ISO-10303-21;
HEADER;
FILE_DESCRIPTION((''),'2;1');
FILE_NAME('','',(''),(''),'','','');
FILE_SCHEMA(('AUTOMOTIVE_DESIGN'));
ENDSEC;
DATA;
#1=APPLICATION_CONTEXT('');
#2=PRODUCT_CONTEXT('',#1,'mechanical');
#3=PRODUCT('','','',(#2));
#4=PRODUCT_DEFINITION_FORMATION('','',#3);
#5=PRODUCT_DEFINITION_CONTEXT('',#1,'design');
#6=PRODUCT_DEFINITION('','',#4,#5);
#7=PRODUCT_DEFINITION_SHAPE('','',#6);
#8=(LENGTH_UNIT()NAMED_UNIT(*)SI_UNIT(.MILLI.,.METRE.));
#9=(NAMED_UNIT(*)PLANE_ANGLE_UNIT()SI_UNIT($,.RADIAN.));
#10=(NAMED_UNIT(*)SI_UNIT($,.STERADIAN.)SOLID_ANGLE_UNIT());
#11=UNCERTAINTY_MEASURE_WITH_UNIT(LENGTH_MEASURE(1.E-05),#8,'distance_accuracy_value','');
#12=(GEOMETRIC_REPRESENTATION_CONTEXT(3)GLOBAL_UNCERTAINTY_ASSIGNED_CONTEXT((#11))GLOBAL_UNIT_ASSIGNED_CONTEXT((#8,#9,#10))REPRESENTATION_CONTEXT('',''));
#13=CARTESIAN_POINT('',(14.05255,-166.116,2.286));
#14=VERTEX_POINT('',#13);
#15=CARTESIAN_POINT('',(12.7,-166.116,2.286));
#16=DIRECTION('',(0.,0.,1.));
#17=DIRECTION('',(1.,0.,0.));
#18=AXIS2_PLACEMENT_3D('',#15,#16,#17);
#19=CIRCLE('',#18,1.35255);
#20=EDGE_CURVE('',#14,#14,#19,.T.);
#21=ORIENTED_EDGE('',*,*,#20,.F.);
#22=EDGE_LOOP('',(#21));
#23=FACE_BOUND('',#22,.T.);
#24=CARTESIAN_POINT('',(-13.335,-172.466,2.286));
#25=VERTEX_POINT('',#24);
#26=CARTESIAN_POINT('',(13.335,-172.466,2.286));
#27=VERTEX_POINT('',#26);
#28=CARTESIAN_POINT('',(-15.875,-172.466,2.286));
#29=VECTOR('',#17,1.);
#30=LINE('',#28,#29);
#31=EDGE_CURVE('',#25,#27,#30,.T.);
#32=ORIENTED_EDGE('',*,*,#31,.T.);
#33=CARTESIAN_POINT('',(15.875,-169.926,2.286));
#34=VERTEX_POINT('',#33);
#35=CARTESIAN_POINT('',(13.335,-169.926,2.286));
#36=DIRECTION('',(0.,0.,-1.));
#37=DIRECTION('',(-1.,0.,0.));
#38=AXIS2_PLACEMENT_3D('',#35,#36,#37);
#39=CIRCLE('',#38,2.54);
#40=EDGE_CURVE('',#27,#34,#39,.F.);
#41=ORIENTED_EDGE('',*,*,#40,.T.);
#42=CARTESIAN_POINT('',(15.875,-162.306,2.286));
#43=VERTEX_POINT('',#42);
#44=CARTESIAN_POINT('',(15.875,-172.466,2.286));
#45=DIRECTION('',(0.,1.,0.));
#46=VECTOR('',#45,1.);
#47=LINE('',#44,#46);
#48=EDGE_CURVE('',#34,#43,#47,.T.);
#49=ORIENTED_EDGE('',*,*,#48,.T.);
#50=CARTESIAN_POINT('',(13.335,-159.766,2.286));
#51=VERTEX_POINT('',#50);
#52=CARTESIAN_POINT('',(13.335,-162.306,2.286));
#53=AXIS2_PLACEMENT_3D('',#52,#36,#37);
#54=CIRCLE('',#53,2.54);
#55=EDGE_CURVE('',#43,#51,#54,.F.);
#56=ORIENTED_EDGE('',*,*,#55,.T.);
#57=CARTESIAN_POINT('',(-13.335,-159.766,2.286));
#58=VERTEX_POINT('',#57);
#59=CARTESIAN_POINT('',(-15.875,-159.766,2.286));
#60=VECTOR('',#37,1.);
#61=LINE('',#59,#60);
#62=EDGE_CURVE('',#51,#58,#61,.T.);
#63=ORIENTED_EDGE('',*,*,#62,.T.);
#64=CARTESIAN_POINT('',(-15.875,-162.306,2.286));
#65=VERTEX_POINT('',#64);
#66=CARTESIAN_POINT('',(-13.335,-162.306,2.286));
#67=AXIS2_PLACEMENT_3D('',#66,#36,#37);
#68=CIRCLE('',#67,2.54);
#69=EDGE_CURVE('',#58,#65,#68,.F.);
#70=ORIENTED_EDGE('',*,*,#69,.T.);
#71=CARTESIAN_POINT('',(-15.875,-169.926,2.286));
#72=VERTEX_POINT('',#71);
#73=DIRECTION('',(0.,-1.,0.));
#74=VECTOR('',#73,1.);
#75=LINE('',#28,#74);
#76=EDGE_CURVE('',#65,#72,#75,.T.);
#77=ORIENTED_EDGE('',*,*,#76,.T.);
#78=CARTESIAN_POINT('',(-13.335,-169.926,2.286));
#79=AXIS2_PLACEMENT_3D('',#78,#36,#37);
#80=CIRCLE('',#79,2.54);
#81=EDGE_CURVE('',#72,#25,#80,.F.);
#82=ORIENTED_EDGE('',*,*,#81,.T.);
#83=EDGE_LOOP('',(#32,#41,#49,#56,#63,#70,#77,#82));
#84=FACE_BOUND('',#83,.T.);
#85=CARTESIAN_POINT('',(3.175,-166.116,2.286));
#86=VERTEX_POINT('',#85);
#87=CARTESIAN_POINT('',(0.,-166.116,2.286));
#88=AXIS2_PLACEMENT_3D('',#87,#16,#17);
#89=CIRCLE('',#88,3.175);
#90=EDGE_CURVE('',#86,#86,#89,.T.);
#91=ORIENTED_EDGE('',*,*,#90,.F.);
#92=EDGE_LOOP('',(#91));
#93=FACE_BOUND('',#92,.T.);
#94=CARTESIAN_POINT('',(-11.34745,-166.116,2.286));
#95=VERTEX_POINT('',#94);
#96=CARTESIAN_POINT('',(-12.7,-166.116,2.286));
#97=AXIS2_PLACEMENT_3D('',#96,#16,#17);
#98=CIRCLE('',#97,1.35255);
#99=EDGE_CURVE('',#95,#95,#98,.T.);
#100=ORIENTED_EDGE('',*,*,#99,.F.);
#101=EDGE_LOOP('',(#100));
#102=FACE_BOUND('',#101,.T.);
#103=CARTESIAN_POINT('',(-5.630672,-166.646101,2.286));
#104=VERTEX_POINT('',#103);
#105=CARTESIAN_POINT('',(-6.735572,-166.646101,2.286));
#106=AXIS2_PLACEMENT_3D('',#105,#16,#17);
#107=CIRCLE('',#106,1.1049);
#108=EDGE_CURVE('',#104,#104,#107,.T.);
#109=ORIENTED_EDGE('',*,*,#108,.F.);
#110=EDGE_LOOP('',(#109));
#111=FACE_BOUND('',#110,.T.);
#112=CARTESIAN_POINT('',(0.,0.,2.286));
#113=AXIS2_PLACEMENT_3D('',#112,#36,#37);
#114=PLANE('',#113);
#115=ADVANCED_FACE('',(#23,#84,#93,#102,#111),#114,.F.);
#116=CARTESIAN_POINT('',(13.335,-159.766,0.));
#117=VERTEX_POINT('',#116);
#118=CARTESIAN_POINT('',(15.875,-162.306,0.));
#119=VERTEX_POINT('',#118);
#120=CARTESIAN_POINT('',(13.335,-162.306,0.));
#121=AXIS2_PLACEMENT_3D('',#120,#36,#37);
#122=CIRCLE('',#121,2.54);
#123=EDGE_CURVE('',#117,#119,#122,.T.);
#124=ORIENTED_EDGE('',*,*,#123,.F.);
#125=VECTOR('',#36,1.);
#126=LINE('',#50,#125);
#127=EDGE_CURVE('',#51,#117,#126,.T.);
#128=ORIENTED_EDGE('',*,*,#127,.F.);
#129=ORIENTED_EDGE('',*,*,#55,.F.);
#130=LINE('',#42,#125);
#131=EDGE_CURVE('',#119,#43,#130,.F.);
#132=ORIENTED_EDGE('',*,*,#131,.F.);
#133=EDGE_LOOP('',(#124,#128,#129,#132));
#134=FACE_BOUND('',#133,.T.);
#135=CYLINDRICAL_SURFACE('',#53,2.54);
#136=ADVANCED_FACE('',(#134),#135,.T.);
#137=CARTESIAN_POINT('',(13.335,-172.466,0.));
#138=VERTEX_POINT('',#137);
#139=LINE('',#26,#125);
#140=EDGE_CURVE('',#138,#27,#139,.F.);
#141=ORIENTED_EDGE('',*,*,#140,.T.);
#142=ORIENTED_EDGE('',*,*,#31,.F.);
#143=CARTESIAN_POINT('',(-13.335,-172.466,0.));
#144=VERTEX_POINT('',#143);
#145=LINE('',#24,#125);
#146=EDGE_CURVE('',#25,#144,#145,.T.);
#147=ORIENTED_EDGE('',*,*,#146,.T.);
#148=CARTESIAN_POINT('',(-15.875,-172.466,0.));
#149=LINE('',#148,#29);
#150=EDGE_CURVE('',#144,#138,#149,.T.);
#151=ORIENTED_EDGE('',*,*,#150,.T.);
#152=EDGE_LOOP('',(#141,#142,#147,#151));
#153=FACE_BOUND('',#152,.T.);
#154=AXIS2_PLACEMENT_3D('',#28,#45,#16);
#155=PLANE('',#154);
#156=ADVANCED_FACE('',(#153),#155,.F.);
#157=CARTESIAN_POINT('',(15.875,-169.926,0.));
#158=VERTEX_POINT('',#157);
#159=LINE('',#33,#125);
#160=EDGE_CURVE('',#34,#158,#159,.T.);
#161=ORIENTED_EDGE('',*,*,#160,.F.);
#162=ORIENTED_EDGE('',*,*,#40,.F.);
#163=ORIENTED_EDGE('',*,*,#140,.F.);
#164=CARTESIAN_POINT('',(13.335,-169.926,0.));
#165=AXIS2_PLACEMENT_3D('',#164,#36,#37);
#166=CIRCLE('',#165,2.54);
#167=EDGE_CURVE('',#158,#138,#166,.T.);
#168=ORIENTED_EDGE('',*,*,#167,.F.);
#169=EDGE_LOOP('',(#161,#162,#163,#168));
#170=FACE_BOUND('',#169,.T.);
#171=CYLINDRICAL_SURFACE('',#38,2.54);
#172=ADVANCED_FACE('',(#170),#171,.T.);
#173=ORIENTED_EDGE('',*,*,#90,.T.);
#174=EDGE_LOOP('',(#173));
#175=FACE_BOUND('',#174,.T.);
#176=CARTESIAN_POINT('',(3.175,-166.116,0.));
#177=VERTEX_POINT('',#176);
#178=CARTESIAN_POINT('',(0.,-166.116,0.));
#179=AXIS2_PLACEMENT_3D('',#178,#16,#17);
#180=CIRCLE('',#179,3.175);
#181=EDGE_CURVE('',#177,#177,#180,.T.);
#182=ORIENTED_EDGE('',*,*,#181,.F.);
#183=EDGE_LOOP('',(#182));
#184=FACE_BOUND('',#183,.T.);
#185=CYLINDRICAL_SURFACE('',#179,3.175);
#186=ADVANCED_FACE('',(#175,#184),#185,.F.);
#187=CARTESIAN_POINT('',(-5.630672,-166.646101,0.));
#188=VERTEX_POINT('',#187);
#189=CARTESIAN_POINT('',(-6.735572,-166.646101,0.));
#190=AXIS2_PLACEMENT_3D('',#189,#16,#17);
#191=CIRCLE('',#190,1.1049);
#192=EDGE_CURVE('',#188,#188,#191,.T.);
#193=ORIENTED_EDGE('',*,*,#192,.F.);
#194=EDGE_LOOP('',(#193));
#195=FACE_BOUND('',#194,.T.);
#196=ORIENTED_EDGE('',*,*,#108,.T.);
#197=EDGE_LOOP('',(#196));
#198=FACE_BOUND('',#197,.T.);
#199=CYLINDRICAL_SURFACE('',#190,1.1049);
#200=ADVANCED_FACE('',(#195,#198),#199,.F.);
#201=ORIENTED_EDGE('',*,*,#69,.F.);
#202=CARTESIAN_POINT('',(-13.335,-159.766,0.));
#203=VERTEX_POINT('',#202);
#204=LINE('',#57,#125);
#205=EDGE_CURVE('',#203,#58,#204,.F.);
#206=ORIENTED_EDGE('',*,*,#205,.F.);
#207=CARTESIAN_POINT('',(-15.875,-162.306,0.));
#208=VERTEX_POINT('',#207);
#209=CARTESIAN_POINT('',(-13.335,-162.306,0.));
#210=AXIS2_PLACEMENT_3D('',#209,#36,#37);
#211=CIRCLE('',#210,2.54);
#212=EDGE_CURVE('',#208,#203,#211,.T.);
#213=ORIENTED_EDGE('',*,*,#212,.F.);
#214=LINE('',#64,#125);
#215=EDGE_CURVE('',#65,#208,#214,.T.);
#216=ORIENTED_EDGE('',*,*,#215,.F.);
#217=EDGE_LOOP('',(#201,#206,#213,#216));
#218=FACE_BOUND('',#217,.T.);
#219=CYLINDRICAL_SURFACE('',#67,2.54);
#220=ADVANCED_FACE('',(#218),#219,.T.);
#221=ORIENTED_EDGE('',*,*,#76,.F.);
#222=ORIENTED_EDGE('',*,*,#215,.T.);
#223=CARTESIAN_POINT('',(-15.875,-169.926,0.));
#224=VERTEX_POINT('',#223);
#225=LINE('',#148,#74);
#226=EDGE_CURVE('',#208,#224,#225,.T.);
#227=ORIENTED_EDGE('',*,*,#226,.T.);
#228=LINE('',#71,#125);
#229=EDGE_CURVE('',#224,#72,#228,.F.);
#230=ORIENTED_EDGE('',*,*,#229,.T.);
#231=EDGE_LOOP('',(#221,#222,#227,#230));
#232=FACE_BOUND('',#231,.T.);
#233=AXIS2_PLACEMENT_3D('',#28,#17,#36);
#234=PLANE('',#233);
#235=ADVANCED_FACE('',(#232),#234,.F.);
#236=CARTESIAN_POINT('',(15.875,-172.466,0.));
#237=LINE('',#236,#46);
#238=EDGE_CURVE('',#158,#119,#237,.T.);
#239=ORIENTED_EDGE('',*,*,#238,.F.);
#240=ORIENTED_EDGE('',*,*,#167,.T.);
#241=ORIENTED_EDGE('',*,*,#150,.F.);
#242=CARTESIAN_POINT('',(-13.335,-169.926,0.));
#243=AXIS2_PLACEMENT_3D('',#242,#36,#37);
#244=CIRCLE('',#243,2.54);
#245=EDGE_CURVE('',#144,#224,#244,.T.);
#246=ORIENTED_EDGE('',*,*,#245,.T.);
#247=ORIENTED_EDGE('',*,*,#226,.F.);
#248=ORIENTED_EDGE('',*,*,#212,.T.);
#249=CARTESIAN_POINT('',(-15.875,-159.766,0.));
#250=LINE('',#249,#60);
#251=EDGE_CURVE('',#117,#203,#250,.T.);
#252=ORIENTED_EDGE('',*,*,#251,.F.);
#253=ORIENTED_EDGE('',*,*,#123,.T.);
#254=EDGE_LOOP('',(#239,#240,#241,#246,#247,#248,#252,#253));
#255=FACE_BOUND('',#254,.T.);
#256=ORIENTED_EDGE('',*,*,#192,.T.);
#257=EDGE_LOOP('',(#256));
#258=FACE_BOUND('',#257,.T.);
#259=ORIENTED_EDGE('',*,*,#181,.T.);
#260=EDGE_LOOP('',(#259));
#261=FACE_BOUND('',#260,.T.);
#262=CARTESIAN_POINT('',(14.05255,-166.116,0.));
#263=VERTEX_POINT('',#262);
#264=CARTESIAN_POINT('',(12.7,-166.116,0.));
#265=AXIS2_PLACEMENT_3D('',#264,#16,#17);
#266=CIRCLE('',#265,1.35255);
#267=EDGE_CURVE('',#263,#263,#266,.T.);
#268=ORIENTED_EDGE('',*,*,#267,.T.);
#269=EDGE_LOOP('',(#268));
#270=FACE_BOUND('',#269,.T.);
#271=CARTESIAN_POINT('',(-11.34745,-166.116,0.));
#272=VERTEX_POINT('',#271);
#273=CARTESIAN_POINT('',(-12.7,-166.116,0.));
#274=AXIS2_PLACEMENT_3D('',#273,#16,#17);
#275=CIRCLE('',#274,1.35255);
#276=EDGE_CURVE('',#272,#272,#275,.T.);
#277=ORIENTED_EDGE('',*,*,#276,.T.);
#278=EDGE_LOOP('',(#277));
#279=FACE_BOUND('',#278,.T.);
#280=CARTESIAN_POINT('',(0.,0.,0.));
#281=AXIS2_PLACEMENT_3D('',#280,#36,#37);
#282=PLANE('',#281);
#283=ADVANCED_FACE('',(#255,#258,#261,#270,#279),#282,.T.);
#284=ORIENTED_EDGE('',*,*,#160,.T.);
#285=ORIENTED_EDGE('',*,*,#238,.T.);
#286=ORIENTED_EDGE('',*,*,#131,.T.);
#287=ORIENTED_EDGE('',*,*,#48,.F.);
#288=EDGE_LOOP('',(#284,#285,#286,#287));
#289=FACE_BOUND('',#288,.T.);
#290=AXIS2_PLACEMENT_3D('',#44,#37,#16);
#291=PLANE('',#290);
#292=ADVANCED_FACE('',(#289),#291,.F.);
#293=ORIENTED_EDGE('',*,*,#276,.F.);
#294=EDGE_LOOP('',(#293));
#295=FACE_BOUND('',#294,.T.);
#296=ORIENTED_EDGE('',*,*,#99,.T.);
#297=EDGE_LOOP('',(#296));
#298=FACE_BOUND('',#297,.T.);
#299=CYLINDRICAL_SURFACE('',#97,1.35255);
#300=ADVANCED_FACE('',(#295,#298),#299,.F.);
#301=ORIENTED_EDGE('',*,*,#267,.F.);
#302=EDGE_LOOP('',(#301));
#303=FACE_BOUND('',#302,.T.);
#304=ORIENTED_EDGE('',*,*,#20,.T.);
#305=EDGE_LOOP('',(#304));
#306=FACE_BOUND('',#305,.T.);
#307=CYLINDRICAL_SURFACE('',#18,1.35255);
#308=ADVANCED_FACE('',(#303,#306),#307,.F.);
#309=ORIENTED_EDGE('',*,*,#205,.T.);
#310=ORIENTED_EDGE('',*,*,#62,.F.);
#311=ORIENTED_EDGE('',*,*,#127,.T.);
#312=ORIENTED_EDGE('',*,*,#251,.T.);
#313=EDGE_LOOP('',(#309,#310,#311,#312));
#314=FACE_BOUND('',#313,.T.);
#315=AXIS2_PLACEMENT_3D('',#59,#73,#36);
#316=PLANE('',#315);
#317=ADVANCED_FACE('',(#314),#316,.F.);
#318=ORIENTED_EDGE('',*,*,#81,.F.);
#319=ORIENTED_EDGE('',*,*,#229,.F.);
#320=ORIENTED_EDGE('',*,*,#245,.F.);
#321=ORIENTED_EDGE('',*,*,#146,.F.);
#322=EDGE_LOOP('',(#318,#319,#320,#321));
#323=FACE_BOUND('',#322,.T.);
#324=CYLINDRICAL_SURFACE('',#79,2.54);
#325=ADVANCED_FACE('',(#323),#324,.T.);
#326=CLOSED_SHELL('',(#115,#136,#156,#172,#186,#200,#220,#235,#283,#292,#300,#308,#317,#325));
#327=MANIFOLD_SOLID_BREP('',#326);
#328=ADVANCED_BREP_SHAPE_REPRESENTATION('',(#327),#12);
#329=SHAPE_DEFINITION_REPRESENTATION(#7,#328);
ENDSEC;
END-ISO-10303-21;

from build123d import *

# Parameters (mm, degrees)
SKETCH1_W             = 31.75
SKETCH1_H             = 12.7
BOSS_EXTRUDE1_DEPTH   = 2.286
FILLET1_R             = 2.54
SKETCH2_R             = 3.175
SKETCH2_R_2           = 1.1049
CUT_EXTRUDE1_DEPTH    = 3.286
F_2_CLEARANCE_HOLE1_D = 2.7051


with BuildPart() as part:
    # Sketch1 → Boss-Extrude1 (new body)
    with BuildSketch(Plane.XY):
        with Locations((-1.87e-07, -166.116000205)):
            Rectangle(SKETCH1_W, SKETCH1_H)
    extrude(amount=BOSS_EXTRUDE1_DEPTH)

    # Fillet1
    fillet1_edges = [part.edges().sort_by_distance(p)[0] for p in [
        (15.874999813, -172.466000205, 1.143),
        (-15.875000187, -172.466000205, 1.143),
        (-15.875000187, -159.766000205, 1.143),
        (15.874999813, -159.766000205, 1.143),
    ]]
    fillet(fillet1_edges, radius=FILLET1_R)

    # Sketch2 → Cut-Extrude1 (cut, through all)
    with BuildSketch(Plane.XY.offset(2.286)):
        with Locations((-1.87e-07, -166.116000205)):
            Circle(SKETCH2_R)
        with Locations((-6.735572471, -166.64610111)):
            Circle(SKETCH2_R_2)
    extrude(amount=-CUT_EXTRUDE1_DEPTH, mode=Mode.SUBTRACT)

    # #2 Clearance Hole1 (through all)
    with Locations(Plane.XY.offset(2.286)):
        with Locations((12.699999906, -166.116000205), (-12.700000094, -166.116000205)):
            Hole(F_2_CLEARANCE_HOLE1_D / 2)


solid = part.part
